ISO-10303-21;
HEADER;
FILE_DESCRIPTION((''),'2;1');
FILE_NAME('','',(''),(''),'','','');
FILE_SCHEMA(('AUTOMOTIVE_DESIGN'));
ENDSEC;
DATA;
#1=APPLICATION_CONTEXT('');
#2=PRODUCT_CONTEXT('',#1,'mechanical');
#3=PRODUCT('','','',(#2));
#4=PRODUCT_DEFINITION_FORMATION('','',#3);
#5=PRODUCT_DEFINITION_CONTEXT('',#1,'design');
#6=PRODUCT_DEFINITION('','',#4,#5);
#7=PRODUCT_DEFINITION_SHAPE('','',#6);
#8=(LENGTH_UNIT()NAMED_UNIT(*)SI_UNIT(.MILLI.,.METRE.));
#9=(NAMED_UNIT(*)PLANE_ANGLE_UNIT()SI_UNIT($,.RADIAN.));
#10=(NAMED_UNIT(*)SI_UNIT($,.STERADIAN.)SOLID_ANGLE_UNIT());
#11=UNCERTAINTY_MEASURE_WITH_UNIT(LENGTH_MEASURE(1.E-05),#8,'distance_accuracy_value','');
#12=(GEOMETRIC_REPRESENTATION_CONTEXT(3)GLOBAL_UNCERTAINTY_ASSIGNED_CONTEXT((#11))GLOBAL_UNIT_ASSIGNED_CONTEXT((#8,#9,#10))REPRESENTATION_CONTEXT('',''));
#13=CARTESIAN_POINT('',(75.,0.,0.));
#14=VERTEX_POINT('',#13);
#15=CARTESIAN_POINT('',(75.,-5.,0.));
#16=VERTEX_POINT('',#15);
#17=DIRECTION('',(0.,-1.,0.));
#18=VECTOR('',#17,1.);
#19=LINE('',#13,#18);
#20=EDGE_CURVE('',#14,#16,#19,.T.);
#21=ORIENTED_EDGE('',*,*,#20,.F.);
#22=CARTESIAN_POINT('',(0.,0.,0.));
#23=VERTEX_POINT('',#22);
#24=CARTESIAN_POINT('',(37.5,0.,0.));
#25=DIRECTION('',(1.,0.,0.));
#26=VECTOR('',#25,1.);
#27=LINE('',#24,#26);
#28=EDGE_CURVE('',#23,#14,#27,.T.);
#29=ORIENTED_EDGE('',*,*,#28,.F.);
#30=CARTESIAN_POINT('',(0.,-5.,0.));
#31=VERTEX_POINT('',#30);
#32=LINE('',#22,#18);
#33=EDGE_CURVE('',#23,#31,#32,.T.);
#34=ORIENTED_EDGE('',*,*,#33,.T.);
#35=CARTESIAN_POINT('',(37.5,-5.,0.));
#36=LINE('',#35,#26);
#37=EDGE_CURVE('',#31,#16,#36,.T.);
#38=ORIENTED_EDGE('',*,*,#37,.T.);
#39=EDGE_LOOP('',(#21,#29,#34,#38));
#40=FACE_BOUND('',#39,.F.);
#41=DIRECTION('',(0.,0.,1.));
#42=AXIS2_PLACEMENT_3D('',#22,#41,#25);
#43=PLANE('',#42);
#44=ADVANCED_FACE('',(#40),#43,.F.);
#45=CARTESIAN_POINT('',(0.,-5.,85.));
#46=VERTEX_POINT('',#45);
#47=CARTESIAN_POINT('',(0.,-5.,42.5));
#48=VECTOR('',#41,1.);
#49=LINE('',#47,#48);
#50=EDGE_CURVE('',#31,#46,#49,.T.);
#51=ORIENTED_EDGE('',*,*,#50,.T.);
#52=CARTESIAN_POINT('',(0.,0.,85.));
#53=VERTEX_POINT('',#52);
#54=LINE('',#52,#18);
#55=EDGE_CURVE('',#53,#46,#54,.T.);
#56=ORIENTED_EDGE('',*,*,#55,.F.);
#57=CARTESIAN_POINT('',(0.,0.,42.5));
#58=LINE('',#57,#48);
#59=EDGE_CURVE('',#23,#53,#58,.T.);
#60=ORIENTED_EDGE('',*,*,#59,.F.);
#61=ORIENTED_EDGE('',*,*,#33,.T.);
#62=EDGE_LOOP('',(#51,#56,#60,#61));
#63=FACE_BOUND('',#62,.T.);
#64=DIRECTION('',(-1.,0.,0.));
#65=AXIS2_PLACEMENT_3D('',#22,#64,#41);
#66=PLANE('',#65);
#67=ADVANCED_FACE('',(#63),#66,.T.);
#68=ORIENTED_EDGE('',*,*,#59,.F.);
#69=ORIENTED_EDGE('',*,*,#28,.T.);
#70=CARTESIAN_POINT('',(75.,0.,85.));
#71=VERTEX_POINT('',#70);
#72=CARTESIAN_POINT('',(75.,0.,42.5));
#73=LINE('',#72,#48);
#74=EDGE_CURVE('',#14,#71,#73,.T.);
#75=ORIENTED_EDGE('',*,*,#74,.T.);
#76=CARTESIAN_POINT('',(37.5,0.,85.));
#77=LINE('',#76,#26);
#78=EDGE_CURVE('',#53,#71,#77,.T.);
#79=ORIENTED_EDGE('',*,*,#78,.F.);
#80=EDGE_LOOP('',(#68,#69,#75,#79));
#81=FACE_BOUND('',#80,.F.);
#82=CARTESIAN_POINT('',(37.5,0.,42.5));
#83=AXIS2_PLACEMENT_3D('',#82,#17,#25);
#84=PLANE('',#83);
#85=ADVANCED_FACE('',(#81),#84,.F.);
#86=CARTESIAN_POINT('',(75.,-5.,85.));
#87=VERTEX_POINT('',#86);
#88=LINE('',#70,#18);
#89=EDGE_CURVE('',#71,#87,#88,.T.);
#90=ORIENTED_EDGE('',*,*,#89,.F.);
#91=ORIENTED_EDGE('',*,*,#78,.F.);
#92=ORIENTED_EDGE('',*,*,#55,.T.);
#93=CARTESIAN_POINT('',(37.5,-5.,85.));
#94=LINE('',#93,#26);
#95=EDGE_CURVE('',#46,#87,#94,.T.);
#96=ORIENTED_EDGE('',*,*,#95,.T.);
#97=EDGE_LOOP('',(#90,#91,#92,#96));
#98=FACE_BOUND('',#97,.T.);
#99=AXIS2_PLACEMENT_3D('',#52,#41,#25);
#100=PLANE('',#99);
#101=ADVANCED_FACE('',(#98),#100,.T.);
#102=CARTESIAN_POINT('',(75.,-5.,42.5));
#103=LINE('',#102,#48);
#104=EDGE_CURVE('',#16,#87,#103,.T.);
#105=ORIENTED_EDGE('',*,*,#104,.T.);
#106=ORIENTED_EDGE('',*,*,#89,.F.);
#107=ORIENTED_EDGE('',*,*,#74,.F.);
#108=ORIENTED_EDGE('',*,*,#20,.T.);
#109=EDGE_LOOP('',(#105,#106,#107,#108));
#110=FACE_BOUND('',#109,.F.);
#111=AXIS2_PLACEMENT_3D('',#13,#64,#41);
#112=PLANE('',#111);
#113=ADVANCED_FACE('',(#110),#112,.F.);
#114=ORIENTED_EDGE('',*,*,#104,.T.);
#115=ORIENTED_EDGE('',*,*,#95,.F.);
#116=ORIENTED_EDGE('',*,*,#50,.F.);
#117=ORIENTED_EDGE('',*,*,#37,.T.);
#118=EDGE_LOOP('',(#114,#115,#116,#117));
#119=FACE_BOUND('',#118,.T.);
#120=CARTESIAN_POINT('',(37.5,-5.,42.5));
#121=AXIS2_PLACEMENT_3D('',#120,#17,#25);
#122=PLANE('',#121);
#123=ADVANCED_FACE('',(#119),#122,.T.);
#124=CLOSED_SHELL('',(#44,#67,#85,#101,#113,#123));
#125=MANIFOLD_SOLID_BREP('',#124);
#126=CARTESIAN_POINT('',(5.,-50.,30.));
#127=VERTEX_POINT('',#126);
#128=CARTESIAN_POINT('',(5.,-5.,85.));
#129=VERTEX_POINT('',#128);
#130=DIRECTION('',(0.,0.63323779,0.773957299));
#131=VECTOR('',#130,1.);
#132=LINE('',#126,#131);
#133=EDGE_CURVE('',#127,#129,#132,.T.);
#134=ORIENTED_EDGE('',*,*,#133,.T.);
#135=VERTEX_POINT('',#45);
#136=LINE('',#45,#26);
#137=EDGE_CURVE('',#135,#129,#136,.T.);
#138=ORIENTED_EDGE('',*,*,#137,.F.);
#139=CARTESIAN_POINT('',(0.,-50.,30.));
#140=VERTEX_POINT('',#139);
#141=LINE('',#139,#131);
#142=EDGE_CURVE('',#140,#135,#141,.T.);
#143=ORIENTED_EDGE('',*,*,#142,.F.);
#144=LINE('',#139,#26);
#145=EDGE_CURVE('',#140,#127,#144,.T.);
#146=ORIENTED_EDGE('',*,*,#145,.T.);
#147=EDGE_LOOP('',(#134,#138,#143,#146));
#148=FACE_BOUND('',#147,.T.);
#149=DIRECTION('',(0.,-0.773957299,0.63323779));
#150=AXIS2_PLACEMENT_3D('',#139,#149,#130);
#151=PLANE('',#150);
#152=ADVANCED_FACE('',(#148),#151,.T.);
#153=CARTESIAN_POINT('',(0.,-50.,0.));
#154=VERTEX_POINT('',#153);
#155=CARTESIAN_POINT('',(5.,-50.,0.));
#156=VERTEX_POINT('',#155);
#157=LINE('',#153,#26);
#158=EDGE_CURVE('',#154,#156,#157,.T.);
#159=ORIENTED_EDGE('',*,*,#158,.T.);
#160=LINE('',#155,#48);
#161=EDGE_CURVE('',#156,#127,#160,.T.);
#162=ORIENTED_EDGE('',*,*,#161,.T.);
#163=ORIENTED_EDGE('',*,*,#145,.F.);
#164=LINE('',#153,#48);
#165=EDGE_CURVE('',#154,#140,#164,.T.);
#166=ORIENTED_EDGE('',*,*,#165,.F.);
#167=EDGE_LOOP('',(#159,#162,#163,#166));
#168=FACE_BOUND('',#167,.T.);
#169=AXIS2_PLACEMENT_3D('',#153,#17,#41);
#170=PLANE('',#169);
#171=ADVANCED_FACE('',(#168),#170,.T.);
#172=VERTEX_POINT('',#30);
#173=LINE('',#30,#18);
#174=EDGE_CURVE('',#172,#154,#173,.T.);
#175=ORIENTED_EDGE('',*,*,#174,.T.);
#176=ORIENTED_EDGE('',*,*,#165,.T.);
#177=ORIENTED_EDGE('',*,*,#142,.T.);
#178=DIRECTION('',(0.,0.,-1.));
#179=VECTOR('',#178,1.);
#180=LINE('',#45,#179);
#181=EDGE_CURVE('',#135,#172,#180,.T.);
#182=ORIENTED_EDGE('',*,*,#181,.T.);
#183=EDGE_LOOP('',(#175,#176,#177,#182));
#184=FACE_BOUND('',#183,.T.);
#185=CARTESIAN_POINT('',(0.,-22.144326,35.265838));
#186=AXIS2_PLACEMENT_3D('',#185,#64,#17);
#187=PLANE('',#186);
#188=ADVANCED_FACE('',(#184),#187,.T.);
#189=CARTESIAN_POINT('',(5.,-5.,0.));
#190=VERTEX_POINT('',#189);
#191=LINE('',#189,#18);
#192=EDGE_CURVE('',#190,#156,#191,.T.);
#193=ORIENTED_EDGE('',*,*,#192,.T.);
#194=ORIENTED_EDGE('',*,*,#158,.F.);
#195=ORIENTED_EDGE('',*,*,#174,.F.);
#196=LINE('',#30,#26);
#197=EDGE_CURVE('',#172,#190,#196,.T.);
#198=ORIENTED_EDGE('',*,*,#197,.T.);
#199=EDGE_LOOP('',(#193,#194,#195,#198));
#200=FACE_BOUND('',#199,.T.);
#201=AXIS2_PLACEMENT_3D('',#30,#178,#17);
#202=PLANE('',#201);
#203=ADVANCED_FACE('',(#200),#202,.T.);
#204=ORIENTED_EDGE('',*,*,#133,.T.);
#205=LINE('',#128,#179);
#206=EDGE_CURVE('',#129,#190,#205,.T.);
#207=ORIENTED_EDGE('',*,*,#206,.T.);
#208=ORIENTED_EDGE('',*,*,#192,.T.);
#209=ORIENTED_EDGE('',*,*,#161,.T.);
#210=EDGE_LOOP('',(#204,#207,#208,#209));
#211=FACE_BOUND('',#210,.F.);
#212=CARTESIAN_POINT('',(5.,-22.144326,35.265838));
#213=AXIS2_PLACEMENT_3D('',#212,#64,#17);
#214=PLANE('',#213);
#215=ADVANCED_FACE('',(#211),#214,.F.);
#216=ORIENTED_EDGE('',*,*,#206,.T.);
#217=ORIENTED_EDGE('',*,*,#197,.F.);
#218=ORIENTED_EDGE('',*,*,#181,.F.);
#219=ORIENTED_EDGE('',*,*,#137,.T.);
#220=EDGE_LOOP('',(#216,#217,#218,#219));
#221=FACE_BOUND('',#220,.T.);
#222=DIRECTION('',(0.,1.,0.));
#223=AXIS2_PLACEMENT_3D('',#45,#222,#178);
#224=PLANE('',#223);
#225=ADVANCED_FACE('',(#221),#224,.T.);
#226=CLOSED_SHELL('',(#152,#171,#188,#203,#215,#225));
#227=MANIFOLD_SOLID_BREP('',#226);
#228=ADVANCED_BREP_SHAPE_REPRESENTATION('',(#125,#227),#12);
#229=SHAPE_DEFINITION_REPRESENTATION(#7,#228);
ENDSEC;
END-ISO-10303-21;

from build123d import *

# Parameters (mm, degrees)
F0_W     = 75
F0_H     = 85
F1_DEPTH = 5
F3_DEPTH = 5


with BuildPart() as f1:
    # F0 (on Front) → F1 (new body)
    with BuildSketch(Plane.XZ):
        with Locations((37.5, 42.5)):
            Rectangle(F0_W, F0_H)
    extrude(amount=F1_DEPTH)


with BuildPart() as f3:
    # F2 (on face) → F3 (new body)
    with BuildSketch(Plane(origin=(0, 0, 0), x_dir=(0, -1, 0), z_dir=(-1, 0, 0))):
        Polygon((5, 85), (5, 0), (50, 0), (50, 30), align=None)
    extrude(amount=-F3_DEPTH)


solid = Compound([f1.part, f3.part])
